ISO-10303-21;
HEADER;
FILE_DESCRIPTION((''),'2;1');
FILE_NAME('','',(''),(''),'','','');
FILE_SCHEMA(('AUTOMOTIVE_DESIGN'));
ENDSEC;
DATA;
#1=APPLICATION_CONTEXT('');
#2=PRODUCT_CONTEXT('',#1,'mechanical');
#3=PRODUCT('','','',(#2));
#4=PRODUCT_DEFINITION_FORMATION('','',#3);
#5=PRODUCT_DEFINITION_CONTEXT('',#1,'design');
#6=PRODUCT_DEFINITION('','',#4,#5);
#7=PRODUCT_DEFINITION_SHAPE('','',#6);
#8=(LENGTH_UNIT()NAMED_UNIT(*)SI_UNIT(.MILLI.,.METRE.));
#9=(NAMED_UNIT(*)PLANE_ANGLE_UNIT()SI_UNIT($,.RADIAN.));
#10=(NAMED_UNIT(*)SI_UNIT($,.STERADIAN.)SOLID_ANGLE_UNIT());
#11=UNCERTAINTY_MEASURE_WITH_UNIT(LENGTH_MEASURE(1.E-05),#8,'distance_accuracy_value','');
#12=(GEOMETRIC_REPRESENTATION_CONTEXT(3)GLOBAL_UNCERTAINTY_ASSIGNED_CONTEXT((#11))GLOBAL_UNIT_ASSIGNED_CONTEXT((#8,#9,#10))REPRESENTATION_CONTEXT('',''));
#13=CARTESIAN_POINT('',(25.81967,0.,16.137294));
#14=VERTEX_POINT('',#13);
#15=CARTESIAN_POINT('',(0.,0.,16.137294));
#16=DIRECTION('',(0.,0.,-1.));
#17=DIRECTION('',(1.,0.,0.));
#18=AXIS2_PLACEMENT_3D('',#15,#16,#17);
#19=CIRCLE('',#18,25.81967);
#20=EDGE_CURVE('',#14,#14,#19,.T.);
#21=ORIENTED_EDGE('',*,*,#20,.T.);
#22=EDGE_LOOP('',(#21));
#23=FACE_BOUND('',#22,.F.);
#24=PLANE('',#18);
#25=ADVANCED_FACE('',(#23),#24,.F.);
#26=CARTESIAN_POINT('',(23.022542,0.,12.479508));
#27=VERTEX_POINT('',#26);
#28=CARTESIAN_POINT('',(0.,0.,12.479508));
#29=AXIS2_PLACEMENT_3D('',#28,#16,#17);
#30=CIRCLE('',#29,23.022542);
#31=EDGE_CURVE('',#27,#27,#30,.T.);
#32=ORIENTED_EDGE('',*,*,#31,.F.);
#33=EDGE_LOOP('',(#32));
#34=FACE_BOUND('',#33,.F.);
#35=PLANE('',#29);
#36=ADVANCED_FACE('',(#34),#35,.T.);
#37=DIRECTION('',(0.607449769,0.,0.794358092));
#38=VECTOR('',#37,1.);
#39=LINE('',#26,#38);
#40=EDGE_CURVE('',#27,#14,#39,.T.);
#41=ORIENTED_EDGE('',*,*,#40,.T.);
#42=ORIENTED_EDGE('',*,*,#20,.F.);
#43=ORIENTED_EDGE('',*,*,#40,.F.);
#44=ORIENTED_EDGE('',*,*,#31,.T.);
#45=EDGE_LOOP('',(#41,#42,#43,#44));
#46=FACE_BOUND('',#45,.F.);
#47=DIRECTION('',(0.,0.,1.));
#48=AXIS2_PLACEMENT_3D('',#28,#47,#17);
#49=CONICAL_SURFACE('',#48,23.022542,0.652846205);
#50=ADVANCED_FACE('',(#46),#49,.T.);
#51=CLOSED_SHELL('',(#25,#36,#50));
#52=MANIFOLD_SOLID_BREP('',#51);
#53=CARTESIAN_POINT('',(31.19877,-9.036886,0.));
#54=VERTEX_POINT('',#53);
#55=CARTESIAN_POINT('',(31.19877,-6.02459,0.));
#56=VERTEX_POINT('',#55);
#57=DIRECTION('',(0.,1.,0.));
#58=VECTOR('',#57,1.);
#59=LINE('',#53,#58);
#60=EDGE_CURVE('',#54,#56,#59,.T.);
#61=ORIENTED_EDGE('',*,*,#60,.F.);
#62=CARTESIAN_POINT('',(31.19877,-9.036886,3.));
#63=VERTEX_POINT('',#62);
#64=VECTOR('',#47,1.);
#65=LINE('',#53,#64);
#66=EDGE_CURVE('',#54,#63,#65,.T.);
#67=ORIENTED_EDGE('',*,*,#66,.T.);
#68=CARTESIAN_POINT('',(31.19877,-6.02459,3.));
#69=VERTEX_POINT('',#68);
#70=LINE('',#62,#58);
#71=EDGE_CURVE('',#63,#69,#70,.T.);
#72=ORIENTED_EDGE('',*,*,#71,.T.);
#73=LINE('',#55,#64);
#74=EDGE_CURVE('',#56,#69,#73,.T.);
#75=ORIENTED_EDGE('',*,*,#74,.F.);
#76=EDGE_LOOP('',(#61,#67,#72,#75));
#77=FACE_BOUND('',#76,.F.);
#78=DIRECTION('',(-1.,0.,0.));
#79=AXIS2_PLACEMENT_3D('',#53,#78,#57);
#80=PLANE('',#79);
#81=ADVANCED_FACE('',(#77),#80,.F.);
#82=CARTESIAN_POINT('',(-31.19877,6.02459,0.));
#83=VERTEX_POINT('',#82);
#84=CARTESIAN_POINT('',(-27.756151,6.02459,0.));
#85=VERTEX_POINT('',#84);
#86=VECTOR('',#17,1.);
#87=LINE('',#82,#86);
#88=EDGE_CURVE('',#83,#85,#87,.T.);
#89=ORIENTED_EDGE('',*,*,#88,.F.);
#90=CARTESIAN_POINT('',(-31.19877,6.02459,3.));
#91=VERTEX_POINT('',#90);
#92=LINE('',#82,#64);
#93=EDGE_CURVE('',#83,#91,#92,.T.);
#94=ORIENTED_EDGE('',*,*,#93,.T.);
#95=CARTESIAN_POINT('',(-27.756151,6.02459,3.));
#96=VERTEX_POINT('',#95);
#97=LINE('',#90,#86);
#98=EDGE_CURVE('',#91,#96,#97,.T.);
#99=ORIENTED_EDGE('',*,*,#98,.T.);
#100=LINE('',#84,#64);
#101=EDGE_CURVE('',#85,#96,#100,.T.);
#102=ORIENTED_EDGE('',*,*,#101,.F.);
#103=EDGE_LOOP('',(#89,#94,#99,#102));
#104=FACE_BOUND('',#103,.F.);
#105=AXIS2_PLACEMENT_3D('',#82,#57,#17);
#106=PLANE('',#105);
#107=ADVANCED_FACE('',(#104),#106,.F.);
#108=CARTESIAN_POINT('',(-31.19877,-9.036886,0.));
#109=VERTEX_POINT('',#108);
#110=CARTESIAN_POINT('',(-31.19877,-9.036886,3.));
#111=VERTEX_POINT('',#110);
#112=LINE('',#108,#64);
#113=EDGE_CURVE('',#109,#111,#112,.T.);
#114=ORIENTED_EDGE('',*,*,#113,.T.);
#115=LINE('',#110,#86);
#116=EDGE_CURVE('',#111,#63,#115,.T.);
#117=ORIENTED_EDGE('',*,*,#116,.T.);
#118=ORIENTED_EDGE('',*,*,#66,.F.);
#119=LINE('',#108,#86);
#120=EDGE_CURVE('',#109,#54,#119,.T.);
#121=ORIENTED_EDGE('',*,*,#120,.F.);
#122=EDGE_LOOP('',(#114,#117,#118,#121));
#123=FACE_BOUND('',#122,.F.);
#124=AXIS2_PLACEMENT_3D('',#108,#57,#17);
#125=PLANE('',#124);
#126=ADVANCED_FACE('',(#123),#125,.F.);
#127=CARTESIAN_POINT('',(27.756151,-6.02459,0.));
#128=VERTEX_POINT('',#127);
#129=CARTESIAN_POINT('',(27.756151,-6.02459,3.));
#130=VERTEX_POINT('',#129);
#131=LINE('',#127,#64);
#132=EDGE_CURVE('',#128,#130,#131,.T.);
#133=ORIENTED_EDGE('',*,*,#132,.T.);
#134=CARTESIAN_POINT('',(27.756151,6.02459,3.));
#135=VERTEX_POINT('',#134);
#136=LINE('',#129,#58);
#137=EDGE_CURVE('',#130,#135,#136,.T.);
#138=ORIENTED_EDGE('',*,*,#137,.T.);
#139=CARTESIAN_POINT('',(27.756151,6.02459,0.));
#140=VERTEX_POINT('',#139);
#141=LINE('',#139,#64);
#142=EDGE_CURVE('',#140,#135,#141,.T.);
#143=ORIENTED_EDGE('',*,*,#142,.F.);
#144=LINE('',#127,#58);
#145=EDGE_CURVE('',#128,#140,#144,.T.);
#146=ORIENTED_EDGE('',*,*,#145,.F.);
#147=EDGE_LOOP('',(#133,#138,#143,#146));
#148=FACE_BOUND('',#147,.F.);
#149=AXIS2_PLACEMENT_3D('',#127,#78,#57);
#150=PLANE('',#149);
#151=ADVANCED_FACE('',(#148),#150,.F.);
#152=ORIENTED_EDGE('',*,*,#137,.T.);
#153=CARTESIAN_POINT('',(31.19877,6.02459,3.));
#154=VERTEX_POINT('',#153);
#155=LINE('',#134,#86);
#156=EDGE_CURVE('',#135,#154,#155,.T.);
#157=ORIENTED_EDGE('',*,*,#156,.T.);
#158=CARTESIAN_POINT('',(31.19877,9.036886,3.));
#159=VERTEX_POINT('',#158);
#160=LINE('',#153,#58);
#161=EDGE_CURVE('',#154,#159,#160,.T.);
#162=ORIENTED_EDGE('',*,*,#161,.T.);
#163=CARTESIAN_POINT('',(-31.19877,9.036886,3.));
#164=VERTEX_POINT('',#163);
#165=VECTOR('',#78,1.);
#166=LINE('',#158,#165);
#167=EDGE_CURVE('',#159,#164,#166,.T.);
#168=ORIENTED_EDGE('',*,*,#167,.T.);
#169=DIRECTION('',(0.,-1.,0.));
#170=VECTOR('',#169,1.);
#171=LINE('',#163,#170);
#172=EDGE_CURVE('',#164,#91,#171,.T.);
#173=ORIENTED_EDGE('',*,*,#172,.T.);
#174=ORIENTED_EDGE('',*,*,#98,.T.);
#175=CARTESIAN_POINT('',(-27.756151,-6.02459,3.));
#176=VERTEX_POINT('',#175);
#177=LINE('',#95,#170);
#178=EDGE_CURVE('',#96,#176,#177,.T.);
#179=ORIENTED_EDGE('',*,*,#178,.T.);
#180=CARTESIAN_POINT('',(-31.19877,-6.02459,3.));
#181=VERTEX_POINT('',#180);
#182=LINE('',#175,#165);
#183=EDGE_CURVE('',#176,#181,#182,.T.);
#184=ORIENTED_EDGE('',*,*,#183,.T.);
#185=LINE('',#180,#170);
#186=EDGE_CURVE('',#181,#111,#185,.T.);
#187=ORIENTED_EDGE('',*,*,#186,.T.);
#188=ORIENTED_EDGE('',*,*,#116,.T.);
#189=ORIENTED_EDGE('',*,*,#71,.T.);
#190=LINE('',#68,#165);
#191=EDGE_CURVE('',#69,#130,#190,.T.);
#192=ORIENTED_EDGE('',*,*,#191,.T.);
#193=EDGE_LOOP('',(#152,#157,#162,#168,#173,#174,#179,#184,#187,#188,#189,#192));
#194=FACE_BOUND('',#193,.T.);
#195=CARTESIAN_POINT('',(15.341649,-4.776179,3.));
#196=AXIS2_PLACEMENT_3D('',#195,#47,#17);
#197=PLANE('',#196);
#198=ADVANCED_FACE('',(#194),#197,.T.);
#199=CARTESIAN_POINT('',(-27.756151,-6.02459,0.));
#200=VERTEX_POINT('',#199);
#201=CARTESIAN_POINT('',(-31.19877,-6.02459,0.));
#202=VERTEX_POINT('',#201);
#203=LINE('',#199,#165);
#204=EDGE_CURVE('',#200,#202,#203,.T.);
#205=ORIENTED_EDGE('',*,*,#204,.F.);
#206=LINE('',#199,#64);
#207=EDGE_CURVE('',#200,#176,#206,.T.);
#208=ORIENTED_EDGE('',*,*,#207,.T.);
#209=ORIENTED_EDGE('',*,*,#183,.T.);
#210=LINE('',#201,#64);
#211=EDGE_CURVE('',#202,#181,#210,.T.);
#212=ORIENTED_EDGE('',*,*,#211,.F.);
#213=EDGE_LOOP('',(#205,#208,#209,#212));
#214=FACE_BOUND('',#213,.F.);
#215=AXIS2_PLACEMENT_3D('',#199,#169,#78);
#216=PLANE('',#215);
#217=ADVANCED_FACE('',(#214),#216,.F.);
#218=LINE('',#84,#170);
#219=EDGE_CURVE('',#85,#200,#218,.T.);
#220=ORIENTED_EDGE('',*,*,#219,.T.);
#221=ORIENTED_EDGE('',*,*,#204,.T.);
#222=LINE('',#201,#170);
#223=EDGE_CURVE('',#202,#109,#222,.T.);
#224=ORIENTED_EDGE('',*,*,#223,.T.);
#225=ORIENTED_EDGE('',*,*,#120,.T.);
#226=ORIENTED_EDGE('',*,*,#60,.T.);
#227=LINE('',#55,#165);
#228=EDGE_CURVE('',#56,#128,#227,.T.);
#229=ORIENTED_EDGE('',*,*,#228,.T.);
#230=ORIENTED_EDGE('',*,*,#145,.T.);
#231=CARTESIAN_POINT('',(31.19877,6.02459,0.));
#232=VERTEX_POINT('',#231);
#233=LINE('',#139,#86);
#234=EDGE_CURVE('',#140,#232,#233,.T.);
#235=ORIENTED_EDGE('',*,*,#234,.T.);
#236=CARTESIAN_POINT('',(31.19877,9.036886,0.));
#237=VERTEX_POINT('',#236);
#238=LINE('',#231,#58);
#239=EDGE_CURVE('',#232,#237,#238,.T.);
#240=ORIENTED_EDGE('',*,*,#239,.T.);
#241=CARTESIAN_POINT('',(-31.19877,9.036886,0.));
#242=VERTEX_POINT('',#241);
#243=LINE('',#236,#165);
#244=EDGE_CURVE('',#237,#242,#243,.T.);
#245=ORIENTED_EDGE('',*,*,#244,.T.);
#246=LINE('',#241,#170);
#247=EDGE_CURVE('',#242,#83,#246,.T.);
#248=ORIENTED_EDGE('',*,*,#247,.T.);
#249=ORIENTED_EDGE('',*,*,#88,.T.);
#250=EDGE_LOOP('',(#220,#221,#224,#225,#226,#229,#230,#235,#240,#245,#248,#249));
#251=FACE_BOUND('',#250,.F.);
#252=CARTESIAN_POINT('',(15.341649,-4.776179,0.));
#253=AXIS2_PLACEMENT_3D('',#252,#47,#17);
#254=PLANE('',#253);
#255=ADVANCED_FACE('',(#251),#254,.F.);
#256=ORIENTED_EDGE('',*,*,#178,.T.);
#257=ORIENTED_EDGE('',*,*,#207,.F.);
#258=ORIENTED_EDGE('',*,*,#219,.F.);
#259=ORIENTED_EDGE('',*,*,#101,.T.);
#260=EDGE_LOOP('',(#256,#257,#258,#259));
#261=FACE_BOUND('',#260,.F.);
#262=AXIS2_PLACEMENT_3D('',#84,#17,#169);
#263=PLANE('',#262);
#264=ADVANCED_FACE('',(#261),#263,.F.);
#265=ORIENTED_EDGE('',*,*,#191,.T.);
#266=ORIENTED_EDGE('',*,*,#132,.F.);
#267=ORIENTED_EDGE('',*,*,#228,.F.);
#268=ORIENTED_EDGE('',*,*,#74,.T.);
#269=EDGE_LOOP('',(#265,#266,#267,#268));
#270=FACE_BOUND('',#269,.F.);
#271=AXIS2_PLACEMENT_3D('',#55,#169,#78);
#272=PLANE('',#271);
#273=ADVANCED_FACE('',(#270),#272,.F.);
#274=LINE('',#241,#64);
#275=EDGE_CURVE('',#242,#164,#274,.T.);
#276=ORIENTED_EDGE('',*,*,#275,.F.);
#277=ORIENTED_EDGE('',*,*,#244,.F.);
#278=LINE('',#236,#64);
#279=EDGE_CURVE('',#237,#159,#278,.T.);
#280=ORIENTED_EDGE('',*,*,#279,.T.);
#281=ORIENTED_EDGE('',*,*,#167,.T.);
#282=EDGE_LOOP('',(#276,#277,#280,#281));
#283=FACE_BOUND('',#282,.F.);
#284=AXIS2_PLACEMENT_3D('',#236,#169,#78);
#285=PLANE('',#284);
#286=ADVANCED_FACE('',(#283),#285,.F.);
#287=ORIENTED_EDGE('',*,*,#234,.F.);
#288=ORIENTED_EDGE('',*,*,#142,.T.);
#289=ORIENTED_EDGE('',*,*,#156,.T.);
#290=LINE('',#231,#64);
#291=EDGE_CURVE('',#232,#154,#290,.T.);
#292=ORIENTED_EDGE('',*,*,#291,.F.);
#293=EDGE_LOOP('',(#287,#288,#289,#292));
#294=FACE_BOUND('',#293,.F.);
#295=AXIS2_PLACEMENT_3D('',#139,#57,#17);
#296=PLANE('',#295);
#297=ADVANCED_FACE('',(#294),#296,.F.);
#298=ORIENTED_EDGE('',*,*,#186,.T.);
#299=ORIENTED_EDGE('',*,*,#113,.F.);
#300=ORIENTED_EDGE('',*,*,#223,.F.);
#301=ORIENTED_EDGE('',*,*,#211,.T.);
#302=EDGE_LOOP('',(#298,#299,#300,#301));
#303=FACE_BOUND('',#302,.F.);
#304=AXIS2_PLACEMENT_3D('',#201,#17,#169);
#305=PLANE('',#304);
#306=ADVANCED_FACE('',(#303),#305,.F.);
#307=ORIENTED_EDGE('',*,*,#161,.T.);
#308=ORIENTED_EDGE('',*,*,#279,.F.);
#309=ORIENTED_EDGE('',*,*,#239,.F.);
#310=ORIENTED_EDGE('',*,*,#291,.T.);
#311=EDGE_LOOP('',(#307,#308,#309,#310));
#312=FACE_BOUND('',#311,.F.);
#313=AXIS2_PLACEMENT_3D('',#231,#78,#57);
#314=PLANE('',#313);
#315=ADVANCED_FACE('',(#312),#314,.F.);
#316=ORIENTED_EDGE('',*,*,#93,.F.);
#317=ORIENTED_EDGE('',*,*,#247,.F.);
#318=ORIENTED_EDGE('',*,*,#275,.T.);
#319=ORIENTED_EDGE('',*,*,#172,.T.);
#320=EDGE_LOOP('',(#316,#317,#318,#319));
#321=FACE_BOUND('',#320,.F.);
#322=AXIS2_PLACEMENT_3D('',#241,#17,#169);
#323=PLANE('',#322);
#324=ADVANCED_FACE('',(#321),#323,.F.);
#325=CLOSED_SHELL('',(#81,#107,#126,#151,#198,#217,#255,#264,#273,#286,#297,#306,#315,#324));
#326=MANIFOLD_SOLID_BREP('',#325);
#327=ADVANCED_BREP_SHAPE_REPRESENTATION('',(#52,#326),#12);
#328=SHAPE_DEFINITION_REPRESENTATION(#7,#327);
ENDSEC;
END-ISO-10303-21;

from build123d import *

# Parameters (mm, degrees)
F3_DEPTH = 3


with BuildPart() as f1:
    # F0 (on Front) → F1 (revolve)
    with BuildSketch(Plane.XZ):
        Polygon((0, 16.137294), (0, 12.479508), (23.022542, 12.479508), (25.81967, 16.137294), align=None)
    revolve(axis=Axis((0, 0, 14.308401), (0, 0, -1)))


with BuildPart() as f3:
    # F2 (on Top) → F3 (new body)
    with BuildSketch(Plane.XY):
        Polygon((0, 0), (0, -9.036886), (31.19877, -9.036886), (31.19877, -6.02459), (27.756151, -6.02459), (27.756151, 0), align=None)
        Polygon((-31.19877, -9.036886), (0, -9.036886), (0, 0), (-27.756151, 0), (-27.756151, -6.02459), (-31.19877, -6.02459), align=None)
        Polygon((0, 9.036886), (0, 0), (27.756151, 0), (27.756151, 6.02459), (31.19877, 6.02459), (31.19877, 9.036886), align=None)
        Polygon((-27.756151, 0), (0, 0), (0, 9.036886), (-31.19877, 9.036886), (-31.19877, 6.02459), (-27.756151, 6.02459), align=None)
    extrude(amount=F3_DEPTH)


solid = Compound([f1.part, f3.part])
